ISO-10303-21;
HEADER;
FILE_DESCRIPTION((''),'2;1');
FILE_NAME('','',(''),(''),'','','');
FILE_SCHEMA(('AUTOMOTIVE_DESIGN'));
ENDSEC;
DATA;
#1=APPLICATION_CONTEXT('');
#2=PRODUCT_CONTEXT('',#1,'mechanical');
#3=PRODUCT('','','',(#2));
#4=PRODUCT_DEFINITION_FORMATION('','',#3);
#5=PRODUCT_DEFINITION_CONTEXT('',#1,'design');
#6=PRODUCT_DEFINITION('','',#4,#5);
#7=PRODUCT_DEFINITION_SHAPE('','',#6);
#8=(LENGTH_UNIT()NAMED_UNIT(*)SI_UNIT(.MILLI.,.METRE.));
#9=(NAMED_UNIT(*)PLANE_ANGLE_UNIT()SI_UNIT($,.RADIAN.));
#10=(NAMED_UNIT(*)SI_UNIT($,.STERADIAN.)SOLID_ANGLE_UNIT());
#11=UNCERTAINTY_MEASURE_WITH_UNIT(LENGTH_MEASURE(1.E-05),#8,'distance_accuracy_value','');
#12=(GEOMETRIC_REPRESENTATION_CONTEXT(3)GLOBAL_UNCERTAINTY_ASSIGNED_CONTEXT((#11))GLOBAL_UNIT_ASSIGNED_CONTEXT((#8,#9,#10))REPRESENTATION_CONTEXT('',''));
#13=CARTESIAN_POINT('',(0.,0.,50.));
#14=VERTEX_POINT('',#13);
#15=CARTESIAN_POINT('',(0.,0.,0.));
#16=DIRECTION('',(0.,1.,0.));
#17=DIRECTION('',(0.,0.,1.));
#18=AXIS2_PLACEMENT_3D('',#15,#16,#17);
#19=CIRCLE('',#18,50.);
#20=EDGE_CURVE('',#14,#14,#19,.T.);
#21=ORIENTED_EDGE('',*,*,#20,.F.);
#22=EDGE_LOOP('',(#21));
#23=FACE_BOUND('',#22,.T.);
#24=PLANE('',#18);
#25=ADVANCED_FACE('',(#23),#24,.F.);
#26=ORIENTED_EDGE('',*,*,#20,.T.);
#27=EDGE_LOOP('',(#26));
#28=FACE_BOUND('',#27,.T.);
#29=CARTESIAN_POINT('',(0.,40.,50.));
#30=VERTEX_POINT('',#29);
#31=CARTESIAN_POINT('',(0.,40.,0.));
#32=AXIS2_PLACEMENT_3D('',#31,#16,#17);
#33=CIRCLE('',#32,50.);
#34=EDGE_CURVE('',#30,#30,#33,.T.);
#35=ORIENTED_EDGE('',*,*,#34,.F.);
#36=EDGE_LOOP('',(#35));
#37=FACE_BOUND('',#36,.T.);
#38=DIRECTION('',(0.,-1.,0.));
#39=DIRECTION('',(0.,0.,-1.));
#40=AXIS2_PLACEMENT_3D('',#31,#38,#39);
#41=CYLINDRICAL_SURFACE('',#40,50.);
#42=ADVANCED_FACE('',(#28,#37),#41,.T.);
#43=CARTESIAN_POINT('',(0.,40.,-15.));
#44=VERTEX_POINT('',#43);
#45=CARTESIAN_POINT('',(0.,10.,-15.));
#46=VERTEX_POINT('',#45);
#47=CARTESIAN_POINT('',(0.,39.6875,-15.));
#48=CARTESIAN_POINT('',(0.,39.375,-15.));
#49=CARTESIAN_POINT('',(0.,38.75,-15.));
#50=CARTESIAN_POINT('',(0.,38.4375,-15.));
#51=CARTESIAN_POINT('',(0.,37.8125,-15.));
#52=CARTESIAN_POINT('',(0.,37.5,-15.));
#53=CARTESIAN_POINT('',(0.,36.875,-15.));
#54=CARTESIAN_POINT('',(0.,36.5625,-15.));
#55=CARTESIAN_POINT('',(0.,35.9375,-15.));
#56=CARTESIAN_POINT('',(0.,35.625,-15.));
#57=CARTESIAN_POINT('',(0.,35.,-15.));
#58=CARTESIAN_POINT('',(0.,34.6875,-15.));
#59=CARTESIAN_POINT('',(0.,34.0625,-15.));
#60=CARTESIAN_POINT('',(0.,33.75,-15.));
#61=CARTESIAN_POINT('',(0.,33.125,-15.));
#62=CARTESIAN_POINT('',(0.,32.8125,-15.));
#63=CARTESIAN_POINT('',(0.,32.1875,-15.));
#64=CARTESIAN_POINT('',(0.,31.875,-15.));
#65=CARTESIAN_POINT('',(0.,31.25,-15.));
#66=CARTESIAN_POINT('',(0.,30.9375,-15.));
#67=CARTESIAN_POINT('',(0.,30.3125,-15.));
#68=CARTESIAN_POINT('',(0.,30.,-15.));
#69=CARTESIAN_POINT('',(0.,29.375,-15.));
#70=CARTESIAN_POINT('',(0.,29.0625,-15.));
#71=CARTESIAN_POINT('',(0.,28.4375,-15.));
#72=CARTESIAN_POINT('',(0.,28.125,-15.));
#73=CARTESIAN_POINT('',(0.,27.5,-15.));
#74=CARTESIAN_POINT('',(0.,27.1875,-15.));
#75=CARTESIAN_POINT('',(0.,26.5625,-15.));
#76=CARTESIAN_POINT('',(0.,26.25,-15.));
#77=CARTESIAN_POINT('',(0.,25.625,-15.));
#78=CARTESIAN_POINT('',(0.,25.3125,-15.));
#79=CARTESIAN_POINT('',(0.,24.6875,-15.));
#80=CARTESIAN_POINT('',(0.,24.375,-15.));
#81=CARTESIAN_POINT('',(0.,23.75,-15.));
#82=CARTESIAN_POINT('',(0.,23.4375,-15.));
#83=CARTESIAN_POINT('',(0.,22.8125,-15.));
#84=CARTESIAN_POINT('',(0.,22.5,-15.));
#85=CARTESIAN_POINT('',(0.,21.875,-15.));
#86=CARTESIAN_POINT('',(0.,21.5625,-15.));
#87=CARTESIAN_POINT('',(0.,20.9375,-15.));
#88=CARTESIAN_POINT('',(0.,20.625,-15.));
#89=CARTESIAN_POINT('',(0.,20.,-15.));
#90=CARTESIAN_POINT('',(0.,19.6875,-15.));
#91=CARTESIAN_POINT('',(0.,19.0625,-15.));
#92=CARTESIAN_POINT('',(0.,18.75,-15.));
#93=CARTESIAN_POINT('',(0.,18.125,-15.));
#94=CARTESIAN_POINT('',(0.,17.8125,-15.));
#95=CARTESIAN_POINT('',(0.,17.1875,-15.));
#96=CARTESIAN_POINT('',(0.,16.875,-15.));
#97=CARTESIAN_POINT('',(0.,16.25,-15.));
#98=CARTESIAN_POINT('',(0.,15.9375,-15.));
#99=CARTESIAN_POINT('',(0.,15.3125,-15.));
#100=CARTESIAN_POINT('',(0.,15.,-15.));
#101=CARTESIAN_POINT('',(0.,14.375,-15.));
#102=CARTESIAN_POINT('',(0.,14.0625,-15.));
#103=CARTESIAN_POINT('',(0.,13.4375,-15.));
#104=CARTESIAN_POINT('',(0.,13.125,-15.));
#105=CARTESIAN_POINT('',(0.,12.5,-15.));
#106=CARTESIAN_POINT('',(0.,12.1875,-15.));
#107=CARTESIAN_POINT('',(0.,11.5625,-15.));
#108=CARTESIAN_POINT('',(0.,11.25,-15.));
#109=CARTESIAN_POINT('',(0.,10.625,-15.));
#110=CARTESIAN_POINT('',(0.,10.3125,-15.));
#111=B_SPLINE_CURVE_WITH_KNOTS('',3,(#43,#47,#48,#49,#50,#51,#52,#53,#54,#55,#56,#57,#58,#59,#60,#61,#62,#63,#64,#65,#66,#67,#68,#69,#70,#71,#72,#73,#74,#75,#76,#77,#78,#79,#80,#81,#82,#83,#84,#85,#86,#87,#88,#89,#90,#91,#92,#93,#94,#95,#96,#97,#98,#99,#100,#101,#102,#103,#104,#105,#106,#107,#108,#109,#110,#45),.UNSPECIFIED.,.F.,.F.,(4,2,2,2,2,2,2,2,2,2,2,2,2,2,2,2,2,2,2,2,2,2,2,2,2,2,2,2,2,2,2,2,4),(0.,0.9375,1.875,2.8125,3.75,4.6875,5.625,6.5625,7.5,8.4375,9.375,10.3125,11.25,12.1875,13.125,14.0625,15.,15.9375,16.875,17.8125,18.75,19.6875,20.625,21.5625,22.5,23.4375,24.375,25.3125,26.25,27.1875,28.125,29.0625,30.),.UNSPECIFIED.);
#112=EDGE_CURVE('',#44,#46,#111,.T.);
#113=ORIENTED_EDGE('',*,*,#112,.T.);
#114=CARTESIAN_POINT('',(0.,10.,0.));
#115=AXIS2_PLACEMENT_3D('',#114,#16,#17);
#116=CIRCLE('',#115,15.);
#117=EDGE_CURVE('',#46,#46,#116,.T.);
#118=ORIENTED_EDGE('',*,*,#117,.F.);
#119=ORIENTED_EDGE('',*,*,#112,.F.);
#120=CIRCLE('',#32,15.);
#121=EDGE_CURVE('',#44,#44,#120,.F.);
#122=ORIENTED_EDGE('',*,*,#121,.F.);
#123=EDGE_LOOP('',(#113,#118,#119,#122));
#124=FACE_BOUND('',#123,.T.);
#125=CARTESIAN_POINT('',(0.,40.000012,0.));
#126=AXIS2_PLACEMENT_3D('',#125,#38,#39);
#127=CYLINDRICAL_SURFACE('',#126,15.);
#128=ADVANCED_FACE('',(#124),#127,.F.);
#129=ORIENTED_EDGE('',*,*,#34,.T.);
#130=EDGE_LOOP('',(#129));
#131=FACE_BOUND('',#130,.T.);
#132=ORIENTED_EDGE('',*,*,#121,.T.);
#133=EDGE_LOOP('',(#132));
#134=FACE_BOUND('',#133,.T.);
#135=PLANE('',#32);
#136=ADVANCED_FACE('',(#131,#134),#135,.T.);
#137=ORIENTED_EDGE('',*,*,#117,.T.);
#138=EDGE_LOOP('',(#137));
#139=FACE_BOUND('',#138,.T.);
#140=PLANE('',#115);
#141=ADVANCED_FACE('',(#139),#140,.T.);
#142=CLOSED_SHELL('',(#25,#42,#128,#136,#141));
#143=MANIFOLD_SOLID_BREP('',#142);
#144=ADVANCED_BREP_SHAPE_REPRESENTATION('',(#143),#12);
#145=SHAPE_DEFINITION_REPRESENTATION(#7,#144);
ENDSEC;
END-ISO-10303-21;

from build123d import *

# Parameters (mm, degrees)
SKETCH3_R               = 50
BOSS_EXTRUDE3_DEPTH     = 40
CUT_EXTRUDE4_DEPTH      = 82.240384046
CUT_EXTRUDE4_DEPTH_BACK = 30
SKETCH5_R               = 15


with BuildPart() as part:
    # Sketch3 → Boss-Extrude3 (new body)
    with BuildSketch(Plane(origin=(0, 0, 0), x_dir=(1, 0, 0), z_dir=(0, 1, 0))):
        with Locations(Location((0, 0, 0), (0, 0, 270))):
            Circle(SKETCH3_R)
    extrude(amount=BOSS_EXTRUDE3_DEPTH)

    # Sketch5 → Cut-Extrude4 (cut, two sides: drawn at the far end of the back side and taken through both)
    with BuildSketch(Plane(origin=(0, 40, 0), x_dir=(1, 0, 0), z_dir=(0, 1, 0)).offset(-CUT_EXTRUDE4_DEPTH_BACK)):
        with Locations(Location((0, 0, 0), (0, 0, 90))):
            Circle(SKETCH5_R)
    extrude(amount=CUT_EXTRUDE4_DEPTH + CUT_EXTRUDE4_DEPTH_BACK, mode=Mode.SUBTRACT)


solid = part.part
